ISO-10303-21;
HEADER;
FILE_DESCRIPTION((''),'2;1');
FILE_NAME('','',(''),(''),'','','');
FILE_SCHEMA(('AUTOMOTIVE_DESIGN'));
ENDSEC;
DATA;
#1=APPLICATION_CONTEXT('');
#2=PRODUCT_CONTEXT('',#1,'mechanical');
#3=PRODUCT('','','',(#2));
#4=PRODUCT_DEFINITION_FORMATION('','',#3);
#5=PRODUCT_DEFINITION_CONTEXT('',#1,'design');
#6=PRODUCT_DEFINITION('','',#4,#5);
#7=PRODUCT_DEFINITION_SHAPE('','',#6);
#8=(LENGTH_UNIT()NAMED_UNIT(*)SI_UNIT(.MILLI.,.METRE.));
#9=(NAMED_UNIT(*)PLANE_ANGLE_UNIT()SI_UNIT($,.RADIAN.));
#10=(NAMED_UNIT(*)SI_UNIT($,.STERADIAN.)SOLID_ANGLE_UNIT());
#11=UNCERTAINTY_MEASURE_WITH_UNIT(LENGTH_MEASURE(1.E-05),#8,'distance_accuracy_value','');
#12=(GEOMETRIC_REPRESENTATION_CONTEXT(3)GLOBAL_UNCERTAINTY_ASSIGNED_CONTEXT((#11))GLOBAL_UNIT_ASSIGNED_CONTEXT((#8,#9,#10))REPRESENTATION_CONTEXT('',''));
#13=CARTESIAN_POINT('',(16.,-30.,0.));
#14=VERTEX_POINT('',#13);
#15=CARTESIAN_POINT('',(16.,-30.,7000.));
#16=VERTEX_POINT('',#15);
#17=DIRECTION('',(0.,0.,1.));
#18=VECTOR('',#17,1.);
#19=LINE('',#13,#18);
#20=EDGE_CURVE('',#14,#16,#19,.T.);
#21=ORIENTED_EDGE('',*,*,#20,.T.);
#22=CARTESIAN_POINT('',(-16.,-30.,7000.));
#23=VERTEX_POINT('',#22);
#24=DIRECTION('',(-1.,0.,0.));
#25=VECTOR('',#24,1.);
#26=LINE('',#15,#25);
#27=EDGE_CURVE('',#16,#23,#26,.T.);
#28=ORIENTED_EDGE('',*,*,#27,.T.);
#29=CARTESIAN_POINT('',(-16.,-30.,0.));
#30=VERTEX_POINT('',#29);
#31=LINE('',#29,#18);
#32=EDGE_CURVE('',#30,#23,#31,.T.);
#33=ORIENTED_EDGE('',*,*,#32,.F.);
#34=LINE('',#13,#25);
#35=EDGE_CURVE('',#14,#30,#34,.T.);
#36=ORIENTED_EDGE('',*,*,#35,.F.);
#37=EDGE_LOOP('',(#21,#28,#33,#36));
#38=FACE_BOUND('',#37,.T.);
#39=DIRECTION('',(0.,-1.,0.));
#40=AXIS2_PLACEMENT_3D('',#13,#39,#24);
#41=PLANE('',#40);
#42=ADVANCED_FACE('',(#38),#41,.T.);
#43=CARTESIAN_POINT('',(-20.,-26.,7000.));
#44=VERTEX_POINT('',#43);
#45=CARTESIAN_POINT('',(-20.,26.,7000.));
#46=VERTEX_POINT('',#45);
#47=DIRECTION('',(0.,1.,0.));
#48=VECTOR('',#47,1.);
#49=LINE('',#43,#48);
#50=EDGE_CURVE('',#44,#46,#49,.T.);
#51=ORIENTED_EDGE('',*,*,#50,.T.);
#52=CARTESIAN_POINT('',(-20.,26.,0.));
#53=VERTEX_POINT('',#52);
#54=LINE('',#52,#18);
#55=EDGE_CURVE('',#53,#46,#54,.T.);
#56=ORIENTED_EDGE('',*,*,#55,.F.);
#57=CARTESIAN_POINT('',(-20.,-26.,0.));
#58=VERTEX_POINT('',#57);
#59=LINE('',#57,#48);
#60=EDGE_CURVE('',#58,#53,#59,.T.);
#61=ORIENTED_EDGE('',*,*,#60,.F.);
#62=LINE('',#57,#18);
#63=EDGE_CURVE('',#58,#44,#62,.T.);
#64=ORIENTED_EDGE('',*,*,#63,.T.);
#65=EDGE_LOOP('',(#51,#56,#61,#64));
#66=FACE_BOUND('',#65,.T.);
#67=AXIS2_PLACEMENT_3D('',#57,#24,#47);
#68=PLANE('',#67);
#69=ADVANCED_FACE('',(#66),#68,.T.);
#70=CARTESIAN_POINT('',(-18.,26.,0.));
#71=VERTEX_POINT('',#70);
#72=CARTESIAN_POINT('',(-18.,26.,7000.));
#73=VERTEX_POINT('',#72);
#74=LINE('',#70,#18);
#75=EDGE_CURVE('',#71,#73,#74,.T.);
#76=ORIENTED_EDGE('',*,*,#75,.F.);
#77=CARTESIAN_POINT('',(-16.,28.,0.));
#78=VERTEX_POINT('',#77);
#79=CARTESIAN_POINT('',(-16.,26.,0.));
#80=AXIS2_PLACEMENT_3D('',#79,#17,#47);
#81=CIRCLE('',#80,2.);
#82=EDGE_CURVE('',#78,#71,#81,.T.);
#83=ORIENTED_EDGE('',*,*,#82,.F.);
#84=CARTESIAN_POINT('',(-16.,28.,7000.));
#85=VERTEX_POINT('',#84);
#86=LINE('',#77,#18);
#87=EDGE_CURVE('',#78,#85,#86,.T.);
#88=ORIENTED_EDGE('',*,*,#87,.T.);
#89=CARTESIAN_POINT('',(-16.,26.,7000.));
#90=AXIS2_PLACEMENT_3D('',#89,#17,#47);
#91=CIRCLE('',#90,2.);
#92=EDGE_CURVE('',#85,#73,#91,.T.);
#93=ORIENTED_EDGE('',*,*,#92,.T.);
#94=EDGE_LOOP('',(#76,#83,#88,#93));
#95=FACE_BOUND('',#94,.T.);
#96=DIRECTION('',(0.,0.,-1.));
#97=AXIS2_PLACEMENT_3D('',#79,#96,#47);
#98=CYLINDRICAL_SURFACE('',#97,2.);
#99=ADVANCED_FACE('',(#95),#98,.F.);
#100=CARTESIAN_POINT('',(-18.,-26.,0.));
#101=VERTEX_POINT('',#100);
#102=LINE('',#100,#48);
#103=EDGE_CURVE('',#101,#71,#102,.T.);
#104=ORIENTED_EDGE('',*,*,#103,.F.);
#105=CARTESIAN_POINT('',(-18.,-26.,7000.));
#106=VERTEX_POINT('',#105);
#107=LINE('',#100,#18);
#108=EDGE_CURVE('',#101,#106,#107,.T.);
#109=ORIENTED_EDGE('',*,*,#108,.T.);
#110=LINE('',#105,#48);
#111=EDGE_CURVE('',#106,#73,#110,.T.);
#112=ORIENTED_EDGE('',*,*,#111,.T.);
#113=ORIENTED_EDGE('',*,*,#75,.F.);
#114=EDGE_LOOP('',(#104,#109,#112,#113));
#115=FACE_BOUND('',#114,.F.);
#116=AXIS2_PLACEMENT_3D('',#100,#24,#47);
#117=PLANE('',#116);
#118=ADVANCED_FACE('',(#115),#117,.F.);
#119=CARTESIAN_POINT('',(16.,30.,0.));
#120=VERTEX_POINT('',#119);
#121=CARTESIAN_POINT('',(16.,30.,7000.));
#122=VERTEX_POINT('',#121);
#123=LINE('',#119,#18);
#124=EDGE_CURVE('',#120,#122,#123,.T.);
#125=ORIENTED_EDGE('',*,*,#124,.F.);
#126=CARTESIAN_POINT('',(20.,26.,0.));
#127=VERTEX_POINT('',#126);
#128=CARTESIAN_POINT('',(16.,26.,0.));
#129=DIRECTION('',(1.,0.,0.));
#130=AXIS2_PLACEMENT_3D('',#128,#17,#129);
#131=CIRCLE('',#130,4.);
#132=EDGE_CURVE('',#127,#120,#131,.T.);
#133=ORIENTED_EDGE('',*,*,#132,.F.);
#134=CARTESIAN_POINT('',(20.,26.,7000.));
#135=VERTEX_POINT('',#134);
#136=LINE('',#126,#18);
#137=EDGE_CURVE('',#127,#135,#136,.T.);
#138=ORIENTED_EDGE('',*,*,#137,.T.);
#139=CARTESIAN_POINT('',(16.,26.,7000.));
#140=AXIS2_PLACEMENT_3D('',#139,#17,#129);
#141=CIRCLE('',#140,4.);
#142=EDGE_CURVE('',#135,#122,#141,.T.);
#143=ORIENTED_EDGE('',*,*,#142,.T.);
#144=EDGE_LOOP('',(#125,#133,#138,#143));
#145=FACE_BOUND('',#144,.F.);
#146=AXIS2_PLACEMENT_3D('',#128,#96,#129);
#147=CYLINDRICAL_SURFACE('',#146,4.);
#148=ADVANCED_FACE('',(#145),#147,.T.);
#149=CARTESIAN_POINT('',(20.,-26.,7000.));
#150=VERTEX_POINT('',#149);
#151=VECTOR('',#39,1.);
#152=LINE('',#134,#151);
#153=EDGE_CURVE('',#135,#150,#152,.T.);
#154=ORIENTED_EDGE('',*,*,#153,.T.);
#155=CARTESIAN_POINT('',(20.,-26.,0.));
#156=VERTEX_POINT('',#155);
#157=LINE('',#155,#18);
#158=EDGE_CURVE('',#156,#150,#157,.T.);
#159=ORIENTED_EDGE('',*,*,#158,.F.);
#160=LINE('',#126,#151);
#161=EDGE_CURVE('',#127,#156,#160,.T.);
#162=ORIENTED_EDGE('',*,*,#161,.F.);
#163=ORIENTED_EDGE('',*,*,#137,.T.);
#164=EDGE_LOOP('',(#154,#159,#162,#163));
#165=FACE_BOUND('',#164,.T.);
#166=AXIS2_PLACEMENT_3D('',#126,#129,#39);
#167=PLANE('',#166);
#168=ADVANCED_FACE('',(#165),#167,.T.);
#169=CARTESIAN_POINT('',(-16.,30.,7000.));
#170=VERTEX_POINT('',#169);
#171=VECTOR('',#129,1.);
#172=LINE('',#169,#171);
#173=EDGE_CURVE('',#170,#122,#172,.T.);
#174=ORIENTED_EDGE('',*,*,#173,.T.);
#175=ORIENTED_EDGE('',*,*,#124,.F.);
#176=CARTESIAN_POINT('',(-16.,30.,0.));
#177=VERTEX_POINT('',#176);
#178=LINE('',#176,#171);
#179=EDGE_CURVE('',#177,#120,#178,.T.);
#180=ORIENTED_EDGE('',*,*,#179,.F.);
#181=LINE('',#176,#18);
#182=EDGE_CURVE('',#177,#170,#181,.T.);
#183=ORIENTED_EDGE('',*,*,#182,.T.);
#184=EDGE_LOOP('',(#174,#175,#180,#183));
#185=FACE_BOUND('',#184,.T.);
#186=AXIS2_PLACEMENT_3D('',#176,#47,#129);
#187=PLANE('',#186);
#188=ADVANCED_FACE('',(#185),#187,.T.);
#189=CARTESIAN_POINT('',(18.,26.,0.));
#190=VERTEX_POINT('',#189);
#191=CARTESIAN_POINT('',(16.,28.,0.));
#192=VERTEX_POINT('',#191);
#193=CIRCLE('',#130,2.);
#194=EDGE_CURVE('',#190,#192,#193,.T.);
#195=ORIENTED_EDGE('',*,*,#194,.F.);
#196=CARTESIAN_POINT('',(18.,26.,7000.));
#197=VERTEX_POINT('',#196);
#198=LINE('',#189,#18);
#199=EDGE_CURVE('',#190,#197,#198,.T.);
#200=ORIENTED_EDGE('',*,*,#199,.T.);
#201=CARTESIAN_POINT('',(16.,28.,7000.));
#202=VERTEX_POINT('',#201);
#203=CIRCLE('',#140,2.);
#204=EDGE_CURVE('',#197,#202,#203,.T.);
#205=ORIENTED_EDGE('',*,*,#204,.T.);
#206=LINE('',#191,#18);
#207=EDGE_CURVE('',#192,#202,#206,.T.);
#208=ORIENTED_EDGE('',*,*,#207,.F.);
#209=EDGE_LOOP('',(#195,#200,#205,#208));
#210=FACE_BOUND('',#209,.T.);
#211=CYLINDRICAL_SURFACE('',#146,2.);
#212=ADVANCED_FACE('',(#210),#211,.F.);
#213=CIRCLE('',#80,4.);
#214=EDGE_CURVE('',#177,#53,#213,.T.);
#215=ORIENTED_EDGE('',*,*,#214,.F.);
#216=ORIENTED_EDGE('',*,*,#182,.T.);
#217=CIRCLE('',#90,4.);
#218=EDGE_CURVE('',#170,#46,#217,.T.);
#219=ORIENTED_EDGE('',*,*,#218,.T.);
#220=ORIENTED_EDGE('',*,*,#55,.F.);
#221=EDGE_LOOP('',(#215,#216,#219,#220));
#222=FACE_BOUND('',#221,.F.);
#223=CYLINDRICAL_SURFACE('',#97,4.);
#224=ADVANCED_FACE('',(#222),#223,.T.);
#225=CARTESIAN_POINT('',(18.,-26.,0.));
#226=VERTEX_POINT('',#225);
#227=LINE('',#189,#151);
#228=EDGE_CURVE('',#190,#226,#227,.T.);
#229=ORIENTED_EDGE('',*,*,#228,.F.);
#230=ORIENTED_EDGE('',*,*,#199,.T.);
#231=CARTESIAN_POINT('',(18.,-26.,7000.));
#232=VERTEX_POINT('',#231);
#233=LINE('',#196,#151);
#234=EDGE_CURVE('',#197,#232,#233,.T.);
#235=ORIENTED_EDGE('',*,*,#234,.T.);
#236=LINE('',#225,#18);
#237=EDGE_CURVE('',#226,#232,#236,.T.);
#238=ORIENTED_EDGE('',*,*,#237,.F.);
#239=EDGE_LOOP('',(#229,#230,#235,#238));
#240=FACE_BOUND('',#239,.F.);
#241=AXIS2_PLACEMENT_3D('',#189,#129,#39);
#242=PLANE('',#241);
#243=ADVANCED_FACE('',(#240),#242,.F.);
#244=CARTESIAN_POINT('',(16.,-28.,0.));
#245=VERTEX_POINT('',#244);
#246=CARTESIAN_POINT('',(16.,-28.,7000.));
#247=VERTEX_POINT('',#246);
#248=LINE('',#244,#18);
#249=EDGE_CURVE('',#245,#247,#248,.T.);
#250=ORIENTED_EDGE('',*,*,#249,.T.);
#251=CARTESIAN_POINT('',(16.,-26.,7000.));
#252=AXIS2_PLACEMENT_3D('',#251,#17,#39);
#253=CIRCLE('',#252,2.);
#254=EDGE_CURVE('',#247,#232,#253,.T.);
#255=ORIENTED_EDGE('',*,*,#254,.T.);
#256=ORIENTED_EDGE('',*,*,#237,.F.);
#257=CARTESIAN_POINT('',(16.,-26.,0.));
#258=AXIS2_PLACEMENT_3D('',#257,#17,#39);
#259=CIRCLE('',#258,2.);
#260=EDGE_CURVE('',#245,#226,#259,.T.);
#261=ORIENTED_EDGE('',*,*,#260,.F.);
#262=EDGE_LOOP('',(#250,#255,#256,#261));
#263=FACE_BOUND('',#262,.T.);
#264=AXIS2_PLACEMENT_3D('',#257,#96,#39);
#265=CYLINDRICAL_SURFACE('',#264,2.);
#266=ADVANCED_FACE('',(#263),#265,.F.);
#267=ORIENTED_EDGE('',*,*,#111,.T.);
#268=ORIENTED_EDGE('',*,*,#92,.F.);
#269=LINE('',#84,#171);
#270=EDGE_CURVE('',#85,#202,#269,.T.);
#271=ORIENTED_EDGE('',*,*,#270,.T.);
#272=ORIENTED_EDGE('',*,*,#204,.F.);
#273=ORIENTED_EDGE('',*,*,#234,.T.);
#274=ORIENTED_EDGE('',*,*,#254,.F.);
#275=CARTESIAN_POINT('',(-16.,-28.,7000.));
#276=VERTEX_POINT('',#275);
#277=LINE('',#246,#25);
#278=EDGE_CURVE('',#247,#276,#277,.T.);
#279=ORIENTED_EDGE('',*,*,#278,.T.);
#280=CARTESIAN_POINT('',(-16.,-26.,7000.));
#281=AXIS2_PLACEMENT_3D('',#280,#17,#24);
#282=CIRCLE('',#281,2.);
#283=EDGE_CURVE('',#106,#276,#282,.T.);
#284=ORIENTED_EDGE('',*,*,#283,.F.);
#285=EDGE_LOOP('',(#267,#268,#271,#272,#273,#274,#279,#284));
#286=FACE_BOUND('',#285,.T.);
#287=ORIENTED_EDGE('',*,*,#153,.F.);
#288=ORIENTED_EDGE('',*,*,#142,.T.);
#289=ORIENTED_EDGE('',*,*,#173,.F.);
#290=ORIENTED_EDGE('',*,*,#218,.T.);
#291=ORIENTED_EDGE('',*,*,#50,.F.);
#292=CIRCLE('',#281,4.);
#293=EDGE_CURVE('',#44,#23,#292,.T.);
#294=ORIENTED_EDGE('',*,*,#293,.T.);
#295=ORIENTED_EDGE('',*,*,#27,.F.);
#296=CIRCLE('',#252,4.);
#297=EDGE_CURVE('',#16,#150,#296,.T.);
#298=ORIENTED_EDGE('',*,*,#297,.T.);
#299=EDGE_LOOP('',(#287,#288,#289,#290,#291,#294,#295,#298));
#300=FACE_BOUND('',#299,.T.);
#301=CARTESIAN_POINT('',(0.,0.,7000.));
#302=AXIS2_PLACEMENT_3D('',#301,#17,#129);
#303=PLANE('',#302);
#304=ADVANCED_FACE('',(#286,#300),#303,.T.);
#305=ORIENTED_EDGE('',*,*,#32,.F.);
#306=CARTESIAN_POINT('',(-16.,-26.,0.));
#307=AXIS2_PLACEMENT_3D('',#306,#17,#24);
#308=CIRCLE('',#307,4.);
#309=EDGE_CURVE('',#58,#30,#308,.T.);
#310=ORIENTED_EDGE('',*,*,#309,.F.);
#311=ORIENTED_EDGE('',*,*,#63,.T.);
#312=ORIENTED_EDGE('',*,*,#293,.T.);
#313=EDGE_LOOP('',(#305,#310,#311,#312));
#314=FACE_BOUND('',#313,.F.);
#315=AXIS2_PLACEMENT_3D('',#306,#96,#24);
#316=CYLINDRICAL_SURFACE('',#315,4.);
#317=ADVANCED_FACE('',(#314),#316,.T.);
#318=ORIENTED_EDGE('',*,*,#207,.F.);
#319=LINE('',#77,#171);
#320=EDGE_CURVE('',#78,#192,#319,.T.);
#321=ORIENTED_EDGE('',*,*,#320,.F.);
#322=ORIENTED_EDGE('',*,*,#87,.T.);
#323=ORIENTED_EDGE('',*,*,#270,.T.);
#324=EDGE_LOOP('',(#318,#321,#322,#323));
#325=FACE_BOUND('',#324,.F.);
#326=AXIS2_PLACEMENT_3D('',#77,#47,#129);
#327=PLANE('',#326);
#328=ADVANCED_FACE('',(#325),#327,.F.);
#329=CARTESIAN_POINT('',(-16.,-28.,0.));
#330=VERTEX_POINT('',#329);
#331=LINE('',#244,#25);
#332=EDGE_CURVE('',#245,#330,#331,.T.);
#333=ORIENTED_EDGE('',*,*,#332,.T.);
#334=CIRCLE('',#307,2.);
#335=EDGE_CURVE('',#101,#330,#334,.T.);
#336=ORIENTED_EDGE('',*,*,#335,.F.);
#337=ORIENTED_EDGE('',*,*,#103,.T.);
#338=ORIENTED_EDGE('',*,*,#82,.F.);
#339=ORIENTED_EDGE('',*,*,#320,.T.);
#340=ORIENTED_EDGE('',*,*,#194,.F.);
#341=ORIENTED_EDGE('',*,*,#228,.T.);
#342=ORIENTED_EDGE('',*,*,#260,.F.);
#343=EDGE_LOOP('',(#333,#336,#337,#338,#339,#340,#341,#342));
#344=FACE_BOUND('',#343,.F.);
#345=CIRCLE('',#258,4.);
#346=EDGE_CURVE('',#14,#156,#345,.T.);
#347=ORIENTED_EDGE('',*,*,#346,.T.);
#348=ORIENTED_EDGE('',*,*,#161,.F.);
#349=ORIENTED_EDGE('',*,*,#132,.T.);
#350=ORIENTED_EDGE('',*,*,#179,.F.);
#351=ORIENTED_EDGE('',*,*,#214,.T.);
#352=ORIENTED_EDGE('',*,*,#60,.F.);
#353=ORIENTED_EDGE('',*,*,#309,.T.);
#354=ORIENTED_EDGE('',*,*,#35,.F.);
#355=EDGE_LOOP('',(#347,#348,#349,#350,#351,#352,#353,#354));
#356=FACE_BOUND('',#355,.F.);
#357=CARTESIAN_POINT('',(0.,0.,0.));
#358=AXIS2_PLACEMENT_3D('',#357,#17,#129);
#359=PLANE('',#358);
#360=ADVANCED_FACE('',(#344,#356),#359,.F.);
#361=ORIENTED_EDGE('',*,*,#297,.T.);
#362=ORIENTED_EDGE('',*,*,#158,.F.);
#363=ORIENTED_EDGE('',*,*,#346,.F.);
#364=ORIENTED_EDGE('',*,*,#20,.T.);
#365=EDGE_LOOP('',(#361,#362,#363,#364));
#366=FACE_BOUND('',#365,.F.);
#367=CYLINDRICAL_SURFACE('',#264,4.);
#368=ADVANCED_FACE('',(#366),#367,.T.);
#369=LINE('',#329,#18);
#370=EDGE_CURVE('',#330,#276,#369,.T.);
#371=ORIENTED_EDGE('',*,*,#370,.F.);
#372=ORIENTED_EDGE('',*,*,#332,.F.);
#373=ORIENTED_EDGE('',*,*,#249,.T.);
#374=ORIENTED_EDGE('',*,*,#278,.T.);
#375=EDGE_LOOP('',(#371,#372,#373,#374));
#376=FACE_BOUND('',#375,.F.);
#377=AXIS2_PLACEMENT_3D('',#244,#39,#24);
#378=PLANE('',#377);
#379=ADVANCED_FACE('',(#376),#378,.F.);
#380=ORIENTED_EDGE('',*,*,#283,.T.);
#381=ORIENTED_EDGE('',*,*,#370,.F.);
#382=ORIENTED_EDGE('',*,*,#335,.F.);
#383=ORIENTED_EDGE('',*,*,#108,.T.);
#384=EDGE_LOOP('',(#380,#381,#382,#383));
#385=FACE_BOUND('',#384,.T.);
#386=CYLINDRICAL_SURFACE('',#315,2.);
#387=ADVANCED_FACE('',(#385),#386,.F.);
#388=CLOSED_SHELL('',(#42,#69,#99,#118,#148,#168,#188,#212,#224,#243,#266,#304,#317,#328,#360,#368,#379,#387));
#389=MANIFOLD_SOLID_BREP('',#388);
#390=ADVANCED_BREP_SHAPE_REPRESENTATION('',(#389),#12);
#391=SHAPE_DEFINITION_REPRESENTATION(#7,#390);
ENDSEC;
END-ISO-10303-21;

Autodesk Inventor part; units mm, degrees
ref_plane "YZ Plane" through (0, 0, 0) normal (1, 0, 0) x (0, 1, 0)
ref_plane "Start Plane" through (0, 0, 0) normal (0, 0, 1) x (1, 0, 0)
ref_plane "End Plane" through (0, 0, 7000) normal (0, 0, 1) x (1, 0, 0)
sketch "Sketch" plane through (0, 0, 0) normal (0, 0, 1) x (1, 0, 0)
  line L0 (-20, -26) -> (-20, 26)
  line L1 (-16, 30) -> (16, 30)
  line L2 (20, 26) -> (20, -26)
  line L3 (16, -30) -> (-16, -30)
  arc A0 (-20, -26) -> (-16, -30) centre (-16, -26) ccw
  arc A1 (20, 26) -> (16, 30) centre (16, 26) ccw
  arc A2 (-16, 30) -> (-20, 26) centre (-16, 26) ccw
  arc A3 (16, -30) -> (20, -26) centre (16, -26) ccw
  arc A4 (-16, 28) -> (-18, 26) centre (-16, 26) ccw
  line L4 (-16, 28) -> (16, 28)
  arc A5 (18, 26) -> (16, 28) centre (16, 26) ccw
  line L5 (18, 26) -> (18, -26)
  arc A6 (16, -28) -> (18, -26) centre (16, -26) ccw
  line L6 (16, -28) -> (-16, -28)
  arc A7 (-18, -26) -> (-16, -28) centre (-16, -26) ccw
  line L7 (-18, -26) -> (-18, 26)
  line L8 (0, 43.1598) -> (0, -43.1598) construction
  line L9 (-29.1598, 0) -> (29.1598, 0) construction
  dimension "d7" = 4
  dimension "d9" = 40
  dimension "d11" = 60
  dimension "d12" = 2
  dimension "d15" = 20
  dimension "d16" = 30
extrude "Body" add sketch "Sketch" along normal up to surface (7000 mm away) from surface at 0
sketch "Sketch3" plane through (0, 0, 0) normal (0, 0, 1) x (1, 0, 0)
  line L0 (0, 0) -> (10, 0)
ref_plane "Work Plane3" through (0, 0, 0) normal (0, -1, 0) x (1, 0, 0)
sketch "Sketch4" plane through (0, 0, 0) normal (0, -1, 0) x (1, 0, 0)
  line L0 (-2, 0) -> (12, 0) projected
  line L1 (-2, 7000) -> (12, 7000) projected
  dimension "d18" = 7000
equation "\"d7\" = G_IR"
equation "\"d9\" = G_W"
equation "\"d11\" = G_H"
equation "\"d12\" = G_T"
equation "\"d15\" = 0.5 * d9"
equation "\"d16\" = 0.5 * d11"
equation "\"d3\" = G_L"
equation "\"G_W\" = 40"
equation "\"G_H\" = 60"
equation "\"G_T\" = 2"
equation "\"G_IR\" = 4"
equation "\"G_L\" = d18"
equation "\"G_OFFSET_START\" = 0"
equation "\"G_OFFSET_END\" = 0"
properties part number "ISO 10799-2 - 60x40x2 - 7000" material "Steel, Mild"
